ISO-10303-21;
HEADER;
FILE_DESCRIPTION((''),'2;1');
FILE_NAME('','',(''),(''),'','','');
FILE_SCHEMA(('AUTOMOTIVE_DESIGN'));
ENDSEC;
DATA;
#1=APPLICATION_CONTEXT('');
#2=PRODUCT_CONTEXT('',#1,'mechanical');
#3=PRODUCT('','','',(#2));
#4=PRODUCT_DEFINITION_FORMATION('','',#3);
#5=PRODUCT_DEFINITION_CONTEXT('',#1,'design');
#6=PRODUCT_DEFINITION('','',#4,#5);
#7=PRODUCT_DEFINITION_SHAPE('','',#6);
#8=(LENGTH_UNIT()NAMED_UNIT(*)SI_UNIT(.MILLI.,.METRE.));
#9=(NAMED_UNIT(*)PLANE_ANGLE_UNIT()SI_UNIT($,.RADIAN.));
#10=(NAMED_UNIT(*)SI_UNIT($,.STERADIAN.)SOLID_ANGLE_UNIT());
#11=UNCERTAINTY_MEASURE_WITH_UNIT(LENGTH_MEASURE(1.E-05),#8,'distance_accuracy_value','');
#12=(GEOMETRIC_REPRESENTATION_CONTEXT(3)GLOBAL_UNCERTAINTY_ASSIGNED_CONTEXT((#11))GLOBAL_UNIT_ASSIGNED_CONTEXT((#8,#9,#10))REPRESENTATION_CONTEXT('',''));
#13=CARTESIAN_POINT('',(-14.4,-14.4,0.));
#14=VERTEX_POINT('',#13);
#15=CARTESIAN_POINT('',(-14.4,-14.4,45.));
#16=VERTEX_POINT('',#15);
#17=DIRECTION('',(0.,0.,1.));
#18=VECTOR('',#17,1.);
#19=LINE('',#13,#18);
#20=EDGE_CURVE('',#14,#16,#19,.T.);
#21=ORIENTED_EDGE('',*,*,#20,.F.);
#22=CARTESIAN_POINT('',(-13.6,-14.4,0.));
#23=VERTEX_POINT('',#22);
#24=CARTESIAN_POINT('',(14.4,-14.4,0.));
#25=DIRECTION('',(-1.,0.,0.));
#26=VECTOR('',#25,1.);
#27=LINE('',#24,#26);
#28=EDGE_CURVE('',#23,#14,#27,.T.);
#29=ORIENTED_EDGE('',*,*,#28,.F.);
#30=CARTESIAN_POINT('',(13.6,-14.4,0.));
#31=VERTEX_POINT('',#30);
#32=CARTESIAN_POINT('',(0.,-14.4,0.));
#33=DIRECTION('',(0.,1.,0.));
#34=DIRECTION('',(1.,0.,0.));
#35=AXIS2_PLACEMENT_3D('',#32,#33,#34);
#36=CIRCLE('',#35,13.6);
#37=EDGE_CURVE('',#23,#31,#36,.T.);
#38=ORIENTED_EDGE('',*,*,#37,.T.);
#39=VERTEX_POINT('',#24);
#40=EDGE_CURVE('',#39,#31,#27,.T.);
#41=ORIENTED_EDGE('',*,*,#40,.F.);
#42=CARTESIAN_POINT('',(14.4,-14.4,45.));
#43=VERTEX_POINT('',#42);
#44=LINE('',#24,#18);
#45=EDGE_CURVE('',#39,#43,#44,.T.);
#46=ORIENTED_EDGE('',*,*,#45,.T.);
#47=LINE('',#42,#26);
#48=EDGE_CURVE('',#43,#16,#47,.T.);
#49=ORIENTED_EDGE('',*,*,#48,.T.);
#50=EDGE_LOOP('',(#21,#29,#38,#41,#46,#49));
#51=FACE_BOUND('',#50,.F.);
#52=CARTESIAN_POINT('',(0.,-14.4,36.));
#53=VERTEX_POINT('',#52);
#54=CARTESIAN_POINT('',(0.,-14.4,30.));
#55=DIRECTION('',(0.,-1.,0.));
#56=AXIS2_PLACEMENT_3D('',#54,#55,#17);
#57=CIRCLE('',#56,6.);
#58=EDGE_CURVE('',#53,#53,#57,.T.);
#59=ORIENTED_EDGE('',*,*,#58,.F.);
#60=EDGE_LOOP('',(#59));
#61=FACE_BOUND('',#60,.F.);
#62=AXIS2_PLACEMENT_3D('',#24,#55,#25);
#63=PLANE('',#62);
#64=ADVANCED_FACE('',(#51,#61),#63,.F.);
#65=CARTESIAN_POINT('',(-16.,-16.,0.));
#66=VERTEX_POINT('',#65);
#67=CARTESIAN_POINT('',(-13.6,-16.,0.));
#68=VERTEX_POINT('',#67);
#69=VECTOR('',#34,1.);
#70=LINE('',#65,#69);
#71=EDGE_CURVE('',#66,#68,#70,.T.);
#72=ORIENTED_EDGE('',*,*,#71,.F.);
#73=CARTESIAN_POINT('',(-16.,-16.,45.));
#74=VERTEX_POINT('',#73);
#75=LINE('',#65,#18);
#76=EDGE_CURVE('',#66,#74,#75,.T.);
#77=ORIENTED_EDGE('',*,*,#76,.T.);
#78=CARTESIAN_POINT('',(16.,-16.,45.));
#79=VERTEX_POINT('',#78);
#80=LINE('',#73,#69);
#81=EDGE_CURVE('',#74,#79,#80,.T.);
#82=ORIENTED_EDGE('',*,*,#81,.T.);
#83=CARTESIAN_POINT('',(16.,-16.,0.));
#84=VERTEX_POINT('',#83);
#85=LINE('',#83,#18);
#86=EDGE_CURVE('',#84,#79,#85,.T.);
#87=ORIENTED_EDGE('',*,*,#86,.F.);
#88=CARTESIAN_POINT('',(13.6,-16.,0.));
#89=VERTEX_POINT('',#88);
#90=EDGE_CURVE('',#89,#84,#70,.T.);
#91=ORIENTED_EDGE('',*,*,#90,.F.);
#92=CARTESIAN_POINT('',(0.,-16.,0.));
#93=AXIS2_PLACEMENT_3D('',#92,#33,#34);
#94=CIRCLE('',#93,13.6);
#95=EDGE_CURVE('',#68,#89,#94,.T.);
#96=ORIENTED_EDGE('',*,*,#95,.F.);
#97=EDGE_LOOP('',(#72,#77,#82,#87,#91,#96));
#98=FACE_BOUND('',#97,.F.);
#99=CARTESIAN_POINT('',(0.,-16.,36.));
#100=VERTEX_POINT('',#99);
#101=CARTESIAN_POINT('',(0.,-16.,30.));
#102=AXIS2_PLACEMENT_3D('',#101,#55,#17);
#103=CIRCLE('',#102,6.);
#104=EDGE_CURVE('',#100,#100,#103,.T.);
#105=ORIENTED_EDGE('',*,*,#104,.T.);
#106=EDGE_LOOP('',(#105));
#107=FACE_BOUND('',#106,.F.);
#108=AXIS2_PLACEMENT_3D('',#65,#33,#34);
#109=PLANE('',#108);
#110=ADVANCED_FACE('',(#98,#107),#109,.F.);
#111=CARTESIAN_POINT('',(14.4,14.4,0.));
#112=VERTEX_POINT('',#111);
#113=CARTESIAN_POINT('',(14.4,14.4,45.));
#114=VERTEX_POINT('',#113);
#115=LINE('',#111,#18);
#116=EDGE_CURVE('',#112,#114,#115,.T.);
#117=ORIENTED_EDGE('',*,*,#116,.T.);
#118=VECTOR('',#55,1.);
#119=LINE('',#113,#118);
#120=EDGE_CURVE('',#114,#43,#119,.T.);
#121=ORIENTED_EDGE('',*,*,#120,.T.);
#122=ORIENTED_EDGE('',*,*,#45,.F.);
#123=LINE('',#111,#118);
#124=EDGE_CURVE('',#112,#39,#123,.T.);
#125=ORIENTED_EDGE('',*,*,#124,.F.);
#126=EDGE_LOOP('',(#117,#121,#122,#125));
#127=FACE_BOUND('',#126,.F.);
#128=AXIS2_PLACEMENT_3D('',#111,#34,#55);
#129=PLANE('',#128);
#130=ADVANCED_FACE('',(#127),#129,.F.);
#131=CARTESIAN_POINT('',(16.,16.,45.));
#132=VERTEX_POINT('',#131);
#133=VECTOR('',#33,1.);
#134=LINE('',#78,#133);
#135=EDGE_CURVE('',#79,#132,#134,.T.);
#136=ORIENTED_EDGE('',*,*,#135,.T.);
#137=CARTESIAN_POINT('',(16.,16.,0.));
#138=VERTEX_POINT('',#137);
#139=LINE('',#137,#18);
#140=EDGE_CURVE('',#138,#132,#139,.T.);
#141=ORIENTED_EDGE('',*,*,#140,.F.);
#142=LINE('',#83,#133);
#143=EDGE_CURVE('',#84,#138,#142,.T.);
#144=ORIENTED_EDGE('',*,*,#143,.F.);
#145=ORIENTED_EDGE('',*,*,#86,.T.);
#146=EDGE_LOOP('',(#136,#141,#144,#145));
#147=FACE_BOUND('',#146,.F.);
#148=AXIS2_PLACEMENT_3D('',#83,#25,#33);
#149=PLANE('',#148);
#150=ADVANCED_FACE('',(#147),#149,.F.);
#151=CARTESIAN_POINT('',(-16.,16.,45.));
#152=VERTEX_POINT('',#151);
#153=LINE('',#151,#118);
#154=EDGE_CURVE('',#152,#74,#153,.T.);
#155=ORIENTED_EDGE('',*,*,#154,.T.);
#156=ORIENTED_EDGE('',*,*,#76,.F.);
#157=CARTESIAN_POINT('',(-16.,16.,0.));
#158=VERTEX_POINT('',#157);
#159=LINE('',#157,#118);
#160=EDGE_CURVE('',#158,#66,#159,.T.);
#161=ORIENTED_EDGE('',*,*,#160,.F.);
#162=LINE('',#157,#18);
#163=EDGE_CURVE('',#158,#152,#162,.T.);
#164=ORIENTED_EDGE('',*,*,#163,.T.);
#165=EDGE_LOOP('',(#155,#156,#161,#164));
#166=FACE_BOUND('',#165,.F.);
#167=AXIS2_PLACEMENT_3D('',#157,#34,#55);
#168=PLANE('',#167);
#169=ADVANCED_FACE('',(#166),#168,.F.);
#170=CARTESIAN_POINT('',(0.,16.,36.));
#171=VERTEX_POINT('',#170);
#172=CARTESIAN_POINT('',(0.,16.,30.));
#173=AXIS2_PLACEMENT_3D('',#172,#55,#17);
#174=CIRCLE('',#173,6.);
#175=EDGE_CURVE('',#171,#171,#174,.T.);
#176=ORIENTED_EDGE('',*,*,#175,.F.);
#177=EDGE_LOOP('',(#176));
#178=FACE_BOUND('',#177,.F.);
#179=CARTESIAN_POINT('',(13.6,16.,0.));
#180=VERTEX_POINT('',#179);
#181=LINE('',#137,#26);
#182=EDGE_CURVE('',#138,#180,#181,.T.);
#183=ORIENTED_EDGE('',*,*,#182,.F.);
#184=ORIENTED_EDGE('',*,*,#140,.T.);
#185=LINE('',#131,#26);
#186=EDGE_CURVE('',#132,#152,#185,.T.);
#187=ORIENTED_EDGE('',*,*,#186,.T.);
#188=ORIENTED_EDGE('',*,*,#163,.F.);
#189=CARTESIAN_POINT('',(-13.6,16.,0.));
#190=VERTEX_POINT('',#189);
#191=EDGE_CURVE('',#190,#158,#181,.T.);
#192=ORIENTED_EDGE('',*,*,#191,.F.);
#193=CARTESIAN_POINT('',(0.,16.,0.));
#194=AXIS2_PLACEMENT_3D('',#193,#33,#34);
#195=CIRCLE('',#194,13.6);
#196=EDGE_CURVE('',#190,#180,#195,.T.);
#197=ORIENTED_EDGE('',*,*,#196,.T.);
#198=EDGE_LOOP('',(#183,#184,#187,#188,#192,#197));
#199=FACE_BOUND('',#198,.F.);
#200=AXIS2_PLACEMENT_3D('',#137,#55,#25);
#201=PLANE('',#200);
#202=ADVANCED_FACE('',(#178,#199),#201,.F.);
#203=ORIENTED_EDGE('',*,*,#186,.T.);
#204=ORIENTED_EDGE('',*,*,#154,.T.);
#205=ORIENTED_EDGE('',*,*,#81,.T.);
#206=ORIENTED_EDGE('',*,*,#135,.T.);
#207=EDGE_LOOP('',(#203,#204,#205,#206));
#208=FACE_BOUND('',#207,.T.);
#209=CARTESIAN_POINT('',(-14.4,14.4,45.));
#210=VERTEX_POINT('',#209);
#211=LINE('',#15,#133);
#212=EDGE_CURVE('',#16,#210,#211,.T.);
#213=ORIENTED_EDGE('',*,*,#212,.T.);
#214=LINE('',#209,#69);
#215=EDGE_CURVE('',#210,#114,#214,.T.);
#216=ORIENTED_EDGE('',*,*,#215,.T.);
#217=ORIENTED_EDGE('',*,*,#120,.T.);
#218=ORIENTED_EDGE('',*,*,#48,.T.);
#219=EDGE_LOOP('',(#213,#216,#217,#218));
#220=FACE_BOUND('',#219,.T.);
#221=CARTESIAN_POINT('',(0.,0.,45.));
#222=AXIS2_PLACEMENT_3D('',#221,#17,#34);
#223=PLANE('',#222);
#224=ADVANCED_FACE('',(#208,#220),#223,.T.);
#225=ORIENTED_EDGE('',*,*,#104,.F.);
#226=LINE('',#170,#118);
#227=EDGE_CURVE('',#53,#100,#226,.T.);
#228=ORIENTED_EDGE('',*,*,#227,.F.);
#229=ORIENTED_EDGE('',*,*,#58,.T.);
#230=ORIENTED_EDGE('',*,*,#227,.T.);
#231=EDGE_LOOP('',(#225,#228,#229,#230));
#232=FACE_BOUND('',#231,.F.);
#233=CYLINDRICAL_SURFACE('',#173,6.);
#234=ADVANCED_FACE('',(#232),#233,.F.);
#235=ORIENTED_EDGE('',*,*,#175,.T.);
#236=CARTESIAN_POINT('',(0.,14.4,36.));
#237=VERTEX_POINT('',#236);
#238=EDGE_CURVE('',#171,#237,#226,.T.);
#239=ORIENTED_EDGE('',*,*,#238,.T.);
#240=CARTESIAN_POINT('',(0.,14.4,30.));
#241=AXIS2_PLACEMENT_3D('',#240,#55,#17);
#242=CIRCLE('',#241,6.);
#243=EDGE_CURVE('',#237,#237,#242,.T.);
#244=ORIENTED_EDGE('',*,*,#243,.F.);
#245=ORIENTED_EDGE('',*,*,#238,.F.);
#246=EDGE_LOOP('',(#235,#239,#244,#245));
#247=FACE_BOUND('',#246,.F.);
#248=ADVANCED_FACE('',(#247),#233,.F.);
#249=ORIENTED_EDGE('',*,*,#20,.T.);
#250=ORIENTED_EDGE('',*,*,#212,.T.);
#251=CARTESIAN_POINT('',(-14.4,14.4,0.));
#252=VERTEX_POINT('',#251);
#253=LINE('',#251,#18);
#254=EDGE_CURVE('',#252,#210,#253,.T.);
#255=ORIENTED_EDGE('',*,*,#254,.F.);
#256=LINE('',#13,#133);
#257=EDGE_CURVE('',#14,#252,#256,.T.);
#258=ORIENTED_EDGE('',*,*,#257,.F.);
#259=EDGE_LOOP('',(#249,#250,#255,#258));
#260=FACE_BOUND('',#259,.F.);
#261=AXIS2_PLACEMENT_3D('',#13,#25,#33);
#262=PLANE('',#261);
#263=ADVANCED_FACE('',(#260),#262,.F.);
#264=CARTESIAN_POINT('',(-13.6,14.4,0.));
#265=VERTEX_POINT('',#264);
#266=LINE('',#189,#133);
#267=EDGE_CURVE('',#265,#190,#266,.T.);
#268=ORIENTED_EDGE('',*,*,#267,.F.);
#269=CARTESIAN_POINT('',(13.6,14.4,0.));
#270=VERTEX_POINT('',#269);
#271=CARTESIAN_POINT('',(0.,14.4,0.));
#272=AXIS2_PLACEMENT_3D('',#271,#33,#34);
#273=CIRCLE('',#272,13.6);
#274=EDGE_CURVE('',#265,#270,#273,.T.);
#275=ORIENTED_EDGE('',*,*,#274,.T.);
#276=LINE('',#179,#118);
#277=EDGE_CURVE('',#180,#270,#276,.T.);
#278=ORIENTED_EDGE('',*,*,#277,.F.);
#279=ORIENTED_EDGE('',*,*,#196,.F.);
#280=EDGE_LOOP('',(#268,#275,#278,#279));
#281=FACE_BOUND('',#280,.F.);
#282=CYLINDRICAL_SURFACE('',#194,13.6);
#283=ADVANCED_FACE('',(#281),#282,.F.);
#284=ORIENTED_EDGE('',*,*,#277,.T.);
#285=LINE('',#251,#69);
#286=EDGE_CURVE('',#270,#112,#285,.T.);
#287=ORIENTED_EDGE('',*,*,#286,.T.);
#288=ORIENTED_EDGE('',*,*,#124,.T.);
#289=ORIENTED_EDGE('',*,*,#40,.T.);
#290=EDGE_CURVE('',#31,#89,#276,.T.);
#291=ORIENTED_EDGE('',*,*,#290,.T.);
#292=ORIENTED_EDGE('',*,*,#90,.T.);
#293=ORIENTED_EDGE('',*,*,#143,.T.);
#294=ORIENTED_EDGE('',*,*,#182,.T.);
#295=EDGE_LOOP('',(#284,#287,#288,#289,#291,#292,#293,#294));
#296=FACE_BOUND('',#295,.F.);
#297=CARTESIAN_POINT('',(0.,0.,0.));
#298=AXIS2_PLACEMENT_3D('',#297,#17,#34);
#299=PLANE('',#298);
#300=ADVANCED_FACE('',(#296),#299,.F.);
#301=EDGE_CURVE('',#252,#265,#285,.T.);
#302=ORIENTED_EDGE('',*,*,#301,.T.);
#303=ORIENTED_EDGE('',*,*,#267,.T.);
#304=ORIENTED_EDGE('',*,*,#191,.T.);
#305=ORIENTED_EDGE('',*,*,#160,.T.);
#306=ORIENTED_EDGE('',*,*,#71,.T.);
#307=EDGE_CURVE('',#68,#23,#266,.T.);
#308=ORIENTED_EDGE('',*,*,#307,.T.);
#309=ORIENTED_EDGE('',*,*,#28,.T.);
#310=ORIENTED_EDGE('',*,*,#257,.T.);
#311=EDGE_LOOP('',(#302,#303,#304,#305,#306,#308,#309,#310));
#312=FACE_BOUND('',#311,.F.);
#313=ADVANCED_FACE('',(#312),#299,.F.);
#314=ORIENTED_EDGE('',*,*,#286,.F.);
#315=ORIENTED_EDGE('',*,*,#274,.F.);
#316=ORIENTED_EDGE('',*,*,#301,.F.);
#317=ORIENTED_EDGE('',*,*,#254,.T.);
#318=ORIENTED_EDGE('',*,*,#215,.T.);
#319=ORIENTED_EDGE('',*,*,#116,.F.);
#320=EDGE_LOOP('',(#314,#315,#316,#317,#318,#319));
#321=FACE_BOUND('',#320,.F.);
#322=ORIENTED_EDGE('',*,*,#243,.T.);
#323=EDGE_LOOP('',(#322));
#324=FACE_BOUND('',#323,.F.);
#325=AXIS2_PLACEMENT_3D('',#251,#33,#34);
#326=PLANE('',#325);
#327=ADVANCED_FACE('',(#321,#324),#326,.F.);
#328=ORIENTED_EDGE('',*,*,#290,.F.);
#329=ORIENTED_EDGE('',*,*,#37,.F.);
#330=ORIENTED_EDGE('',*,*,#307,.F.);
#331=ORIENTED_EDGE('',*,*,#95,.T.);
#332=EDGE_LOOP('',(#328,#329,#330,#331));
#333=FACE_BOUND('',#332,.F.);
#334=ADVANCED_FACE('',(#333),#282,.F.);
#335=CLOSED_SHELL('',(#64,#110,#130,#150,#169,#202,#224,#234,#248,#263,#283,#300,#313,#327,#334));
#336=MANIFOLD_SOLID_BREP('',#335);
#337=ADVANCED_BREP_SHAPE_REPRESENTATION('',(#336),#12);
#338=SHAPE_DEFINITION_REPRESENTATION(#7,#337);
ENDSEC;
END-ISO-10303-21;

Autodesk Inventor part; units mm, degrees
ref_plane "YZ Plane" through (0, 0, 0) normal (1, 0, 0) x (0, 1, 0)
ref_plane "XZ Plane" through (0, 0, 0) normal (0, 1, 0) x (-1, 0, 0)
ref_plane "XY Plane" through (0, 0, 0) normal (0, 0, 1) x (1, 0, 0)
sketch "スケッチ1" plane through (0, 0, 0) normal (0, 0, 1) x (1, 0, 0)
  line L0 (-16, -16) -> (16, -16)
  line L1 (16, -16) -> (16, 16)
  line L2 (16, 16) -> (-16, 16)
  line L3 (-16, 16) -> (-16, -16)
  line L4 (-16, -16) -> (16, 16) construction
  line L5 (16, -16) -> (-16, 16) construction
  line L6 (-14.4, 14.4) -> (14.4, 14.4)
  line L7 (14.4, 14.4) -> (14.4, -14.4)
  line L8 (14.4, -14.4) -> (-14.4, -14.4)
  line L9 (-14.4, -14.4) -> (-14.4, 14.4)
  point P0 (0, 0)
  dimension "d0" = 32
  dimension "d1" = 32
  dimension "d2" = 1.6
extrude "押し出し1" add sketch "スケッチ1" along normal blind 45
sketch "スケッチ2" plane through (-16, 16, 0) normal (0, 1, 0) x (1, 0, 0)
  circle A0 centre (16, 0) radius 13.6
  dimension "d5" = 27.2
extrude "押し出し2" cut sketch "スケッチ2" against normal blind 32
sketch "スケッチ3" plane through (-16, 16, 45) normal (0, 1, 0) x (1, 0, 0)
  line L0 (32, 0) -> (0, 0) projected
  point P0 (16, 45)
  point P1 (16, 15)
  dimension "d16" = 30
hole "穴1" at (0, 16, 30) direction (0, -1, 0) diameter 12 end through all
sketch "スケッチ4" plane through (-16, 16, 45) normal (0, 1, 0) x (1, 0, 0)
  circle A0 centre (16, 15) radius 13.6
  point P0 (16, 45)
  dimension "d17" = 30
  dimension "d18" = 27.2
properties part number "軸受上用"
